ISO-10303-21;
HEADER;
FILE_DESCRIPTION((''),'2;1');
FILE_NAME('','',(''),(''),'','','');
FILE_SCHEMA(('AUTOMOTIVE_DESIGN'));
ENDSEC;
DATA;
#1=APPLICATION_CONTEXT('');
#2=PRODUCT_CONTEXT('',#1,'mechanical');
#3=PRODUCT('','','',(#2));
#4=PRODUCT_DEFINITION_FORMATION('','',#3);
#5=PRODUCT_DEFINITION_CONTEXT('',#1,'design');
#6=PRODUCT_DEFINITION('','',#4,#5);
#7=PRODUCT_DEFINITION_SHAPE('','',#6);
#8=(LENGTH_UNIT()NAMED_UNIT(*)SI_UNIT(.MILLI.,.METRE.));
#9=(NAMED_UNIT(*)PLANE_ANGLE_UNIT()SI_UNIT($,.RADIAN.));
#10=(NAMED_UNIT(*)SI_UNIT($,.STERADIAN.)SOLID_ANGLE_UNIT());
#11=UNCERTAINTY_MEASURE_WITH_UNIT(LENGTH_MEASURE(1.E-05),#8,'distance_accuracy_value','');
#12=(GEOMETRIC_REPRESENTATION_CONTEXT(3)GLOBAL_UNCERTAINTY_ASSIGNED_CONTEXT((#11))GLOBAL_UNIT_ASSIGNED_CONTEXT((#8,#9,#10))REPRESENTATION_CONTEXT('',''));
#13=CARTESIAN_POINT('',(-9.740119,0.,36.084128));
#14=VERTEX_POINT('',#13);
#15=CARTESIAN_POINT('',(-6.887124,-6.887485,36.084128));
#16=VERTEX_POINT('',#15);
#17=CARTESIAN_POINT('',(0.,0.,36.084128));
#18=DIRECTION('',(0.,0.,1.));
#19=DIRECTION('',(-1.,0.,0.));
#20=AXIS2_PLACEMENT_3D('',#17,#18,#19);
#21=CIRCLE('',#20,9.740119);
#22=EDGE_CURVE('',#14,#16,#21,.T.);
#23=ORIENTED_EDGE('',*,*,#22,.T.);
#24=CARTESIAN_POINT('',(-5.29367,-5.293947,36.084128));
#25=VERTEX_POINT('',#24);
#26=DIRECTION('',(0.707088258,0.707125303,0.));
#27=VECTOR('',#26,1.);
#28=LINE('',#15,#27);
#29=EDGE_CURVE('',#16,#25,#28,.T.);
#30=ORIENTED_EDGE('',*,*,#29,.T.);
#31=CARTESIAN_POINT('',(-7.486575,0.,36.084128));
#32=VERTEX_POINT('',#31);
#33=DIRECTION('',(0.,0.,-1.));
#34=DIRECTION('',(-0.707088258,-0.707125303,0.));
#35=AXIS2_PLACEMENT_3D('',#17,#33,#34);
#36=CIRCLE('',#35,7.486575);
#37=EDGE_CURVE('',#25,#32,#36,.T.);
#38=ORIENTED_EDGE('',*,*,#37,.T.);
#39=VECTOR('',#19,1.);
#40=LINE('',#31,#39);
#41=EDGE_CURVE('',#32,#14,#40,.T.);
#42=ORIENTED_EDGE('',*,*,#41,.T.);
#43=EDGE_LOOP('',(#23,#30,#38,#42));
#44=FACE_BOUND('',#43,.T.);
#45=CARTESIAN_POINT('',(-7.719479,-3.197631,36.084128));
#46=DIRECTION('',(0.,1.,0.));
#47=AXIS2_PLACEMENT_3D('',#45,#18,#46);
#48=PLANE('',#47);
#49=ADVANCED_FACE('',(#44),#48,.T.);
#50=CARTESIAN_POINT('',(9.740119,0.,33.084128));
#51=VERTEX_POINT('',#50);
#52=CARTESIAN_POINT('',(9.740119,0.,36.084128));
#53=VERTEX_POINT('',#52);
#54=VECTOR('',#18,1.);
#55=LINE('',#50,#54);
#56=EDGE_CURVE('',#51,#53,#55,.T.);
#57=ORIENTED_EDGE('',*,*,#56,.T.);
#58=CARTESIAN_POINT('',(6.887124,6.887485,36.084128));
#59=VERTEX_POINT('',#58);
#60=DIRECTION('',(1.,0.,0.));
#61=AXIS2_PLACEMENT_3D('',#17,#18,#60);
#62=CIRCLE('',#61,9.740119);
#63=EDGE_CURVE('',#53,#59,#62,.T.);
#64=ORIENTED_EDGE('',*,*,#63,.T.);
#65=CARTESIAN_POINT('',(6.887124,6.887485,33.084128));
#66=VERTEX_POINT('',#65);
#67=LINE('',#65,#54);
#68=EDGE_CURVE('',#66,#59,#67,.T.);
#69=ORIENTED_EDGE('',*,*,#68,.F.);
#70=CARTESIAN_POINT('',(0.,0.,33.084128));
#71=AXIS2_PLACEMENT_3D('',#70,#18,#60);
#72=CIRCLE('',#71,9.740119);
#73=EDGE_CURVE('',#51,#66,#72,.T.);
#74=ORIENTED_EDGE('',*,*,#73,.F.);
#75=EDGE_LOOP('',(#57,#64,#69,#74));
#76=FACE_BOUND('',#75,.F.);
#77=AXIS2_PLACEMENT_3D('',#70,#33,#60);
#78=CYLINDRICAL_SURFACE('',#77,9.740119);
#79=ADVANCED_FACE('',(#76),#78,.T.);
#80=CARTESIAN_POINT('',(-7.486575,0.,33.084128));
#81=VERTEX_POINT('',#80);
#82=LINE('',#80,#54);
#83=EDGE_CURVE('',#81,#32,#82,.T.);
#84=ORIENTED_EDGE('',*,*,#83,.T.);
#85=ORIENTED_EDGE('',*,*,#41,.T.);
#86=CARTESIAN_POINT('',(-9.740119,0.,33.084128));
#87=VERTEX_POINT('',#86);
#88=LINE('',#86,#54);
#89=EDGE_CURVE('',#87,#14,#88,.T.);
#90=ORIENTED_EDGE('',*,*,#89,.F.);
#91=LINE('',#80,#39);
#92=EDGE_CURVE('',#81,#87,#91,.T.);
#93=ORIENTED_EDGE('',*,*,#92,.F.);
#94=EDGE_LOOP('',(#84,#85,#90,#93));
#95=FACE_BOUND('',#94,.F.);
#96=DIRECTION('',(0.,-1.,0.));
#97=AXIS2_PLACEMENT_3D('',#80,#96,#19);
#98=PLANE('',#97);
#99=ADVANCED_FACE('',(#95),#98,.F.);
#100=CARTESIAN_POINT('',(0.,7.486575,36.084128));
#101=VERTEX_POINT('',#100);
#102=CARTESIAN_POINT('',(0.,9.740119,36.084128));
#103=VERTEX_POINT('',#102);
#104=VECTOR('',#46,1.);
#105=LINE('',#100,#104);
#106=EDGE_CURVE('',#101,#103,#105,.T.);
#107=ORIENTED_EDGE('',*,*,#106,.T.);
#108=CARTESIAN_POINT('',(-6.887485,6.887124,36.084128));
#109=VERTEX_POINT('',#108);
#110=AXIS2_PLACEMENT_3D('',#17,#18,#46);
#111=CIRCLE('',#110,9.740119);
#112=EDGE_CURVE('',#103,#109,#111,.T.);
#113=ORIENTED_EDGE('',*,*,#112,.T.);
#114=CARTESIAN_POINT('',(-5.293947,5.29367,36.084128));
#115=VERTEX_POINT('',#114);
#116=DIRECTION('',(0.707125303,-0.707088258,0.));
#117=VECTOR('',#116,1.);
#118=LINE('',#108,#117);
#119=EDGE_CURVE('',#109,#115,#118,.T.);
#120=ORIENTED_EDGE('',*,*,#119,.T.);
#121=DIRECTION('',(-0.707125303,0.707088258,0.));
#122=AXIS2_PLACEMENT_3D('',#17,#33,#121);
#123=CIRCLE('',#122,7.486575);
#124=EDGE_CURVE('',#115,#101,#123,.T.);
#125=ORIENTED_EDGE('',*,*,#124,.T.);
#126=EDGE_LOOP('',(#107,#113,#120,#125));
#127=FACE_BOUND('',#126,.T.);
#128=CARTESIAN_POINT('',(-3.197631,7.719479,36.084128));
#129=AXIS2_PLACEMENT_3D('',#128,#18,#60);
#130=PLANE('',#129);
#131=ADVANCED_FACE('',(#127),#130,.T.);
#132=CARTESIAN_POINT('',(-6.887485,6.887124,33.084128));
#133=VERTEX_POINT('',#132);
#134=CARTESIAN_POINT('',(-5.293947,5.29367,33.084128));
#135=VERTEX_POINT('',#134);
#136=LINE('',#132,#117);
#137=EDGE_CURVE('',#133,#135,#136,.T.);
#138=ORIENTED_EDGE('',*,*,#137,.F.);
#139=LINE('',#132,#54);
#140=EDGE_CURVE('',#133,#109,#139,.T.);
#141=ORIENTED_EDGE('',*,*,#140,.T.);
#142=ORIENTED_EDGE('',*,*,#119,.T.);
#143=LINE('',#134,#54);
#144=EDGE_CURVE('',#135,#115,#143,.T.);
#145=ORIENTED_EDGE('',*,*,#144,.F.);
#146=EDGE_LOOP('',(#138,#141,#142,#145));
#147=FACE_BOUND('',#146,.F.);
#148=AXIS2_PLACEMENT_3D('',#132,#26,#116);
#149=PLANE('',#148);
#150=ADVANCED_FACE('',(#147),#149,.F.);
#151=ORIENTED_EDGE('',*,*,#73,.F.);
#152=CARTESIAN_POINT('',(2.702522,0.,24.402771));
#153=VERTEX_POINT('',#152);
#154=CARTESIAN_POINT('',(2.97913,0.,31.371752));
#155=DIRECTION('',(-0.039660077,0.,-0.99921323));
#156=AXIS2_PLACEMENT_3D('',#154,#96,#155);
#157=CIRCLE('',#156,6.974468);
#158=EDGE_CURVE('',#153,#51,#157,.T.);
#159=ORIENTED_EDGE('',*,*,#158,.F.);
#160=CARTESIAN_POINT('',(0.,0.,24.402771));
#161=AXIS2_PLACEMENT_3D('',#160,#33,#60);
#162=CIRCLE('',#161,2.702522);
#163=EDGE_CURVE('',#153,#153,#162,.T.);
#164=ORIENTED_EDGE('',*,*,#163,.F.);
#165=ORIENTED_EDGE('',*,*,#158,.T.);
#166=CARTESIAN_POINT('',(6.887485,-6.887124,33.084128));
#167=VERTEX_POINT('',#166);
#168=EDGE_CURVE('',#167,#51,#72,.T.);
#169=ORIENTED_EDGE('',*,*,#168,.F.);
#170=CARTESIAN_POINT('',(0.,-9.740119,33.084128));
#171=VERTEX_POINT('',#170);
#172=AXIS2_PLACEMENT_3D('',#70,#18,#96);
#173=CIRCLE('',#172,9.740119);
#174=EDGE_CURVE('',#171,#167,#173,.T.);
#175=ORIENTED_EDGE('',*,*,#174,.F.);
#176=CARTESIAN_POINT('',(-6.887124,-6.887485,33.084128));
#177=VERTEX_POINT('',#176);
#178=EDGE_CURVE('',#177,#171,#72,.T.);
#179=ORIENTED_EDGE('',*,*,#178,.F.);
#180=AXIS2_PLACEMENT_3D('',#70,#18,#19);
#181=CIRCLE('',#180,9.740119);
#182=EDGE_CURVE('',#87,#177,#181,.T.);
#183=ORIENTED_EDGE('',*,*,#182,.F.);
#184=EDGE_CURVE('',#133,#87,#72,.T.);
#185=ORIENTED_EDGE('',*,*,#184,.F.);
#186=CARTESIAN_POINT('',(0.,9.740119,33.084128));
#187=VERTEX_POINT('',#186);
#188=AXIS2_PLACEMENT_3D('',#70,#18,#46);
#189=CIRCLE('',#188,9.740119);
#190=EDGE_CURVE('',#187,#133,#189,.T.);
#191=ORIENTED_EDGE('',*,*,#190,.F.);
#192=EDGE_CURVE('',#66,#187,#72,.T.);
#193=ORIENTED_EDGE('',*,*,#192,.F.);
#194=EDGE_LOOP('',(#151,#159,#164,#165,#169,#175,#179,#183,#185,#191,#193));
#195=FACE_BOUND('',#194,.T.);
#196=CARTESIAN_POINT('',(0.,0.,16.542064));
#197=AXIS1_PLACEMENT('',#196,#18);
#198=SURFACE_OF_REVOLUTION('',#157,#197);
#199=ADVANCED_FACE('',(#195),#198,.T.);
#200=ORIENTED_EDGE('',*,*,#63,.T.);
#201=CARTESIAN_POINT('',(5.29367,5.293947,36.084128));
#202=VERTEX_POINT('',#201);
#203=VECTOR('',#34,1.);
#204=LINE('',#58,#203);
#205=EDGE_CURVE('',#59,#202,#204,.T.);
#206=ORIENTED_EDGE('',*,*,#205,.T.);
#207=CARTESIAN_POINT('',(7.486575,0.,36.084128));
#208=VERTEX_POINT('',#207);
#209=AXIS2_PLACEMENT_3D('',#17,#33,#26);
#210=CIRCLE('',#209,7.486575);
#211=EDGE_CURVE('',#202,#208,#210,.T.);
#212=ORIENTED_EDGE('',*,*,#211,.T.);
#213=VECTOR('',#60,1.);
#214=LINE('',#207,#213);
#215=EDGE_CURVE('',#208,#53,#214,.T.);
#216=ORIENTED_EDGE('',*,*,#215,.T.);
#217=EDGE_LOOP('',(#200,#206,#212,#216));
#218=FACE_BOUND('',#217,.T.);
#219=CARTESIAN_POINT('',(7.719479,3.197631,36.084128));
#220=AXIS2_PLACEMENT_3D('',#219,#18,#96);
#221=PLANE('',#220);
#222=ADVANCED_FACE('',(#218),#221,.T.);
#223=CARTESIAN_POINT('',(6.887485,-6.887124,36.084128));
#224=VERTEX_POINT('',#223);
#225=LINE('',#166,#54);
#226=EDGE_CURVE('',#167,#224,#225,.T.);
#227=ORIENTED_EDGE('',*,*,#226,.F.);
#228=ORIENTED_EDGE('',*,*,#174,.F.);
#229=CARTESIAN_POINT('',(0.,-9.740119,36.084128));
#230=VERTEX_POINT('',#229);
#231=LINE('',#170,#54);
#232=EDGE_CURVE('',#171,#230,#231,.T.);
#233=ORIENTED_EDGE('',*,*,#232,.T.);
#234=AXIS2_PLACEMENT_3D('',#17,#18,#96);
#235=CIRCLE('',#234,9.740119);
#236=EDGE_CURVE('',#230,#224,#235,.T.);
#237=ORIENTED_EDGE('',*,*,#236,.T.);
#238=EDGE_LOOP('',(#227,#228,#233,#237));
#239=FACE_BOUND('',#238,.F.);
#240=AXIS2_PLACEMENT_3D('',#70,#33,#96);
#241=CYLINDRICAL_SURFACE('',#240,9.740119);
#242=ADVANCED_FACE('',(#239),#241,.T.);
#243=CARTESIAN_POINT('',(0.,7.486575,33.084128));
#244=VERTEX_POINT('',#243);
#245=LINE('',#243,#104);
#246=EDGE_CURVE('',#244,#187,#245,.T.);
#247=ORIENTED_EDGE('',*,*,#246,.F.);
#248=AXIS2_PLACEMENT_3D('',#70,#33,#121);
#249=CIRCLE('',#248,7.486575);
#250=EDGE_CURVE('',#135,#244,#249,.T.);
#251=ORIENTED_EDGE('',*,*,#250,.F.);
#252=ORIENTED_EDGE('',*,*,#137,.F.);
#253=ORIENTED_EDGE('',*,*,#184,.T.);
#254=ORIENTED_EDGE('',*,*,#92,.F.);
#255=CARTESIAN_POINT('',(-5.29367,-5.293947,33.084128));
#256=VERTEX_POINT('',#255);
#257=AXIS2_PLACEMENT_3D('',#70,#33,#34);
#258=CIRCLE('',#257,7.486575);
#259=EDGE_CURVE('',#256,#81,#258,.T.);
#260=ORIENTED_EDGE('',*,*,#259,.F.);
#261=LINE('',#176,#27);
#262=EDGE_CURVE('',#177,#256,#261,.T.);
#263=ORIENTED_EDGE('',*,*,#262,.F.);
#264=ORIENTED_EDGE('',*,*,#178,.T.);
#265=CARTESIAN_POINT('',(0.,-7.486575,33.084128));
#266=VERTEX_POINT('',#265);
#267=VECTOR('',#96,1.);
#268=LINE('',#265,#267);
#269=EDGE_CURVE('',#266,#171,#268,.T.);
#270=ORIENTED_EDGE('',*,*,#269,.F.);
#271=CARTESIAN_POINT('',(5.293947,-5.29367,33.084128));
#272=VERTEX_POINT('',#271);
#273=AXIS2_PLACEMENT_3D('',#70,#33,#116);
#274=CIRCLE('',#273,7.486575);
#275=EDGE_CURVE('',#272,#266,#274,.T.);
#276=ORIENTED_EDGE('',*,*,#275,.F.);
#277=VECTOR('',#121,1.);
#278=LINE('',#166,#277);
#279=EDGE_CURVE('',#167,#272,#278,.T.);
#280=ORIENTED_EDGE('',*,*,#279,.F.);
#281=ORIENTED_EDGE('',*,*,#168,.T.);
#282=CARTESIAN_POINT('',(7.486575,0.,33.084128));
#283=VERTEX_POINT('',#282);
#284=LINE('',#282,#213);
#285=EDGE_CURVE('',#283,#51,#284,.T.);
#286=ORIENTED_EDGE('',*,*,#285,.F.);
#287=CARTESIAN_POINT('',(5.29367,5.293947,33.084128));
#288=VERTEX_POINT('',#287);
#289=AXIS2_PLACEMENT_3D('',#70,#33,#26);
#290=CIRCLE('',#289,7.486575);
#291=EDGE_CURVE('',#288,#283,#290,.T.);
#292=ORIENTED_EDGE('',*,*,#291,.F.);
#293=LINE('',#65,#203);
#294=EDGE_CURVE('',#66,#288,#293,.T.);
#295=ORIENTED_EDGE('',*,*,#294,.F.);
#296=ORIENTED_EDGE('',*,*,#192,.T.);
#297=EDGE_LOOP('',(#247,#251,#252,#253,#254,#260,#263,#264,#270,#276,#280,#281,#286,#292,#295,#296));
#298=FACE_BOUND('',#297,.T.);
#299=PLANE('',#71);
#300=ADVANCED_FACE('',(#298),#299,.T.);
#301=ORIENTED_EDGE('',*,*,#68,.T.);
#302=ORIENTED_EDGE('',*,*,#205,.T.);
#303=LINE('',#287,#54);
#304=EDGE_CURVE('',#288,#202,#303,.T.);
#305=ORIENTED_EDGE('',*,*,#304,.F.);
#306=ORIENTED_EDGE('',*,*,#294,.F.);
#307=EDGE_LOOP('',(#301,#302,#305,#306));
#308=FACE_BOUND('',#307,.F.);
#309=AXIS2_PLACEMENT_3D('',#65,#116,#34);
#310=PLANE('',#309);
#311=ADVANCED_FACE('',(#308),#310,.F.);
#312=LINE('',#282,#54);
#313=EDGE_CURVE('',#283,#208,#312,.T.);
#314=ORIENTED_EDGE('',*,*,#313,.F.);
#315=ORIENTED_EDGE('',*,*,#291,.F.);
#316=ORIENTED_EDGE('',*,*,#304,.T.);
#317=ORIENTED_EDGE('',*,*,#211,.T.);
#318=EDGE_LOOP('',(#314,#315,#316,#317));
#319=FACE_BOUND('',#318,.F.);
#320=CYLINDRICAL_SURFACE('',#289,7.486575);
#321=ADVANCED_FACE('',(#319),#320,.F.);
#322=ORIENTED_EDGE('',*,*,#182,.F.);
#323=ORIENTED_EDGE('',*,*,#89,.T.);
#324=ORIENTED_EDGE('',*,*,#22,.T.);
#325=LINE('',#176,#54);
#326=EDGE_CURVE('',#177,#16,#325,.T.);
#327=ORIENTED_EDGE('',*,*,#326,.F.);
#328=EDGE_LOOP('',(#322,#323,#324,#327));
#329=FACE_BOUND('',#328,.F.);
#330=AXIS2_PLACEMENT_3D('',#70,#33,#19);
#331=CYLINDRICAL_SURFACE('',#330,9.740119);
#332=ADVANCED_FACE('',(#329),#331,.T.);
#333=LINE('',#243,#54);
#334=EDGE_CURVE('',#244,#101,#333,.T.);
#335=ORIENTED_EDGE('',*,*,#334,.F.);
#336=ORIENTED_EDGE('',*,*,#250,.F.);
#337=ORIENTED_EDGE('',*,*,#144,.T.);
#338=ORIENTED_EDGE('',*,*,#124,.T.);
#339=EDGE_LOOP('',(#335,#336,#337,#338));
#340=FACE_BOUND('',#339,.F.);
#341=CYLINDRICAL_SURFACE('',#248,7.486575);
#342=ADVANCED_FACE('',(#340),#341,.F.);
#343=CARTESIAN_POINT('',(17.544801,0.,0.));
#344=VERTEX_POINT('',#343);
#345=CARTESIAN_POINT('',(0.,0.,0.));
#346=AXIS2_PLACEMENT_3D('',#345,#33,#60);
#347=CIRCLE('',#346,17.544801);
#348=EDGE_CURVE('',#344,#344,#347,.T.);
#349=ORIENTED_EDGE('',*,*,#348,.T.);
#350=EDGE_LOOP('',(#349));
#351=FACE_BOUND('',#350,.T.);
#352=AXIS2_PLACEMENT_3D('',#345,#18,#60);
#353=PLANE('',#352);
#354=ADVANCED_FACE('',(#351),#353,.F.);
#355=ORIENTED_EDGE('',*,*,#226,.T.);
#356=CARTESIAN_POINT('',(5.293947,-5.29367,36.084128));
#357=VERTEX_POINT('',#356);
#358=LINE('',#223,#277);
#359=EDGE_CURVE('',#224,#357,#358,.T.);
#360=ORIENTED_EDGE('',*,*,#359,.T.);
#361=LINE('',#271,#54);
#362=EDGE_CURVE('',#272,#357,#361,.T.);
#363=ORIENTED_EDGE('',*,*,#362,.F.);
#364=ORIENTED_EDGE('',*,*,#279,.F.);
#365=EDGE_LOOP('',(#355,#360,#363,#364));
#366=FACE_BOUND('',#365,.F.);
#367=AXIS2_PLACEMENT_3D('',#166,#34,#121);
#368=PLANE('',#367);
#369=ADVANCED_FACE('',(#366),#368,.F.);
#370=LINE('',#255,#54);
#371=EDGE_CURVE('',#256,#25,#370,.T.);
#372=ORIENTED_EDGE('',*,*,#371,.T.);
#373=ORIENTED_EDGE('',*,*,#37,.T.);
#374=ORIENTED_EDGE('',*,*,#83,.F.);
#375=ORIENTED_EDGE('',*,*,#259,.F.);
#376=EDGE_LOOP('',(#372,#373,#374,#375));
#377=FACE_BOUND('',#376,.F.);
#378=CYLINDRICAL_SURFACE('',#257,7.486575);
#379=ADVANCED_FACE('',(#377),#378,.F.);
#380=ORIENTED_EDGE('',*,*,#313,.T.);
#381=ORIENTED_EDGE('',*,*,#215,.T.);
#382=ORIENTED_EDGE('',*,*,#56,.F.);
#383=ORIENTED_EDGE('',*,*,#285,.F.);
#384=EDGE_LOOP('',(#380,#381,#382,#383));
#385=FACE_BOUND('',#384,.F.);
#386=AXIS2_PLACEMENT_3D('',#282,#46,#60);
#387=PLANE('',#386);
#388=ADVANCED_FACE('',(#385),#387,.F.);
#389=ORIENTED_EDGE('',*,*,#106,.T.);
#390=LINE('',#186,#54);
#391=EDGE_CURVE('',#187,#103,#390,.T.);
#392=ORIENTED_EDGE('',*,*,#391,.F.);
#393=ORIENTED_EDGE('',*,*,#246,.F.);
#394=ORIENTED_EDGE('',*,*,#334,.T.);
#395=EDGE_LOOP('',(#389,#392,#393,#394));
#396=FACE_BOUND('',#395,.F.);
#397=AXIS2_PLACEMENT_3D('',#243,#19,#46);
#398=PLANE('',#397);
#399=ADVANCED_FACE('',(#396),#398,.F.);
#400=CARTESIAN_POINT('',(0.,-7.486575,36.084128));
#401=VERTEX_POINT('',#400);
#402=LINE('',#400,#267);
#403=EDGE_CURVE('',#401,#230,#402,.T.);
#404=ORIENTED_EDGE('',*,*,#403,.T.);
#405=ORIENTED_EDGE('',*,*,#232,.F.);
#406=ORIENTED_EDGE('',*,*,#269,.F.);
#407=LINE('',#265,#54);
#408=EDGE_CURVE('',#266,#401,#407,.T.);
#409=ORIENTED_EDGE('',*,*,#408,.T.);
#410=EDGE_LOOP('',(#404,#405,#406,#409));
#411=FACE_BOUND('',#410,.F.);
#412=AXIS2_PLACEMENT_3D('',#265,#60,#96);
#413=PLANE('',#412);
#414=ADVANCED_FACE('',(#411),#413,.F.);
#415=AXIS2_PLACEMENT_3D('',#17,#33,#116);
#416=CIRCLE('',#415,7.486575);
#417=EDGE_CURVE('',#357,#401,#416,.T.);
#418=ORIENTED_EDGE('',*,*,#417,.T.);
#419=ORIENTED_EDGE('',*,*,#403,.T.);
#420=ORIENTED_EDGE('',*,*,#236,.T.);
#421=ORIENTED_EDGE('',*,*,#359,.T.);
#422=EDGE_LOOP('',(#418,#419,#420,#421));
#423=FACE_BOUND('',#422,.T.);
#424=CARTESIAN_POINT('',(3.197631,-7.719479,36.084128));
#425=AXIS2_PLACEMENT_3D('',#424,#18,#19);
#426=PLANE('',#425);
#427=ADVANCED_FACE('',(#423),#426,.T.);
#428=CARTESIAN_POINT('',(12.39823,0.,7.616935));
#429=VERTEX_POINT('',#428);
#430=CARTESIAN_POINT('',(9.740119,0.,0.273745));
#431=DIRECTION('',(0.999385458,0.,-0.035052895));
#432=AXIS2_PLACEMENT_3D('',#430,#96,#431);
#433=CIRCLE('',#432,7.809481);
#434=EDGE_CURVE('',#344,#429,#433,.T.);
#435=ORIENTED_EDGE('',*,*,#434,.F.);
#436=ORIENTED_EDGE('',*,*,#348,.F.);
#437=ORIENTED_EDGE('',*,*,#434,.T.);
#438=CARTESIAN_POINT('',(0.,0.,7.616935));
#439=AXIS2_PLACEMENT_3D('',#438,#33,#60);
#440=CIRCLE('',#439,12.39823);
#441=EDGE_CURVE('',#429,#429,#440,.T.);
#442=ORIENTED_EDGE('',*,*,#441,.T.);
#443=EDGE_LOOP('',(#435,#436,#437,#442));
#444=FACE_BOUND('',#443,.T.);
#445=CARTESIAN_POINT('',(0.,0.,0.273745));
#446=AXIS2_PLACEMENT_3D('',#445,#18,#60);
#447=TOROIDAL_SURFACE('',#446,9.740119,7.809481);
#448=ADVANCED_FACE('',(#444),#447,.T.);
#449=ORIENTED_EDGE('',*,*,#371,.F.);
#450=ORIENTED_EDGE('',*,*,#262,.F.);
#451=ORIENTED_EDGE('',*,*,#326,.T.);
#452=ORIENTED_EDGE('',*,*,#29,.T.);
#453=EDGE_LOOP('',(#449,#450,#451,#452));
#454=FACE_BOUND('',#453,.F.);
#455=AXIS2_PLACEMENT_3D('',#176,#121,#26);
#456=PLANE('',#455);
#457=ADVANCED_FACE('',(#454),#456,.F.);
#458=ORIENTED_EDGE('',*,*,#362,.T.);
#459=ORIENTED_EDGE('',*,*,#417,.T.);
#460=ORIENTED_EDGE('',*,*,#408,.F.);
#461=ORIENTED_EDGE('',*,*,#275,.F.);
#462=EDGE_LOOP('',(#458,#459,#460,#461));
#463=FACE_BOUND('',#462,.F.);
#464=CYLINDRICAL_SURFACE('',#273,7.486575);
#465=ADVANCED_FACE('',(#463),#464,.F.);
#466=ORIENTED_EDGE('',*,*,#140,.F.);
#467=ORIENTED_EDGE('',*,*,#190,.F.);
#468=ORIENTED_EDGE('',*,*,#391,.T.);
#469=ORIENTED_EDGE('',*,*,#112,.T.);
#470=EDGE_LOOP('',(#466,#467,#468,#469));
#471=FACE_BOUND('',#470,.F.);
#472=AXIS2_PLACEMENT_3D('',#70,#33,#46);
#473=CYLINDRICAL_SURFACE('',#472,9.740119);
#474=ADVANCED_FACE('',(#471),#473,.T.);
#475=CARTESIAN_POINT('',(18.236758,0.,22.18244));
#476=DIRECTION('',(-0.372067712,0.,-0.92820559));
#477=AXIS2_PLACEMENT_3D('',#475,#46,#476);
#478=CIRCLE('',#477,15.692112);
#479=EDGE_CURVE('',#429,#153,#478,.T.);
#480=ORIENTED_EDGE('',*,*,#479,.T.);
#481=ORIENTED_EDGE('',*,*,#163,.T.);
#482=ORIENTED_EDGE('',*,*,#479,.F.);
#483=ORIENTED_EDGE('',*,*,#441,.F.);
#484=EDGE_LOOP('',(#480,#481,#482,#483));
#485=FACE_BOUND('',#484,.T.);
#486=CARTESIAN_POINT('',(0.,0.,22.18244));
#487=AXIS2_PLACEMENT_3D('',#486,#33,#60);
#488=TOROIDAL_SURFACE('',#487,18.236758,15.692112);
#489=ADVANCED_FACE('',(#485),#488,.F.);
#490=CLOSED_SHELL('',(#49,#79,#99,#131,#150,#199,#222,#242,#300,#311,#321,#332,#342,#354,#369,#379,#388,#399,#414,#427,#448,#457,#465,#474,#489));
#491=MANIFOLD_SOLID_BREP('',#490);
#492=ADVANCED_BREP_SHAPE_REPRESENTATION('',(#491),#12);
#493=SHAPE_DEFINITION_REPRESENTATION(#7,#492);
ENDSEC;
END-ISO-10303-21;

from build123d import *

# Parameters (mm, degrees)
F3_DEPTH = 3
F4_COUNT = 4


with BuildPart() as f1:
    # F0 (on Front) → F1 (revolve)
    with BuildSketch(Plane.XZ):
        with BuildLine():
            Line((0, 0), (17.544800512, 0))
            ThreePointArc((17.544800512, 0), (16.2109713715, 4.645936537), (12.3982300492, 7.6169347011))
            ThreePointArc((12.3982300492, 7.6169347011), (4.6485337942, 14.3337127504), (2.7025218587, 24.4027711451))
            ThreePointArc((2.7025218587, 24.4027711451), (8.3969973951, 26.9797232293), (9.7401189229, 33.084128052))
            Line((9.7401189229, 33.084128052), (0, 33.084128052))
            Line((0, 33.084128052), (0, 0))
        make_face()
    revolve(axis=Axis((0, 0, 16.542064026), (0, 0, 1)))

    # F2 (on face) → F3 (join)
    with BuildSketch(Plane.XY.offset(33.084128052)):
        with BuildLine():
            Line((0, 7.4865753758), (0, 9.7401189229))
            ThreePointArc((0, 9.7401189229), (-3.7275, 8.9986476974), (-6.8874845487, 6.8871237265))
            Line((-6.8874845487, 6.8871237265), (-5.2939468842, 5.2936695443))
            ThreePointArc((-5.2939468842, 5.2936695443), (-2.8650789517, 6.9166562339), (0, 7.4865753758))
        make_face()
    extrude(amount=F3_DEPTH)

    # F4: F1 ×4 about axis
    f4_axis = Axis((0, 0, 33.084128052), (0, 0, 1))


with BuildPart() as f1_1:
    add(f1.part)
    for i in range(1, F4_COUNT):
        add(f1.part.rotate(f4_axis, i * 360 / F4_COUNT))


solid = f1_1.part
